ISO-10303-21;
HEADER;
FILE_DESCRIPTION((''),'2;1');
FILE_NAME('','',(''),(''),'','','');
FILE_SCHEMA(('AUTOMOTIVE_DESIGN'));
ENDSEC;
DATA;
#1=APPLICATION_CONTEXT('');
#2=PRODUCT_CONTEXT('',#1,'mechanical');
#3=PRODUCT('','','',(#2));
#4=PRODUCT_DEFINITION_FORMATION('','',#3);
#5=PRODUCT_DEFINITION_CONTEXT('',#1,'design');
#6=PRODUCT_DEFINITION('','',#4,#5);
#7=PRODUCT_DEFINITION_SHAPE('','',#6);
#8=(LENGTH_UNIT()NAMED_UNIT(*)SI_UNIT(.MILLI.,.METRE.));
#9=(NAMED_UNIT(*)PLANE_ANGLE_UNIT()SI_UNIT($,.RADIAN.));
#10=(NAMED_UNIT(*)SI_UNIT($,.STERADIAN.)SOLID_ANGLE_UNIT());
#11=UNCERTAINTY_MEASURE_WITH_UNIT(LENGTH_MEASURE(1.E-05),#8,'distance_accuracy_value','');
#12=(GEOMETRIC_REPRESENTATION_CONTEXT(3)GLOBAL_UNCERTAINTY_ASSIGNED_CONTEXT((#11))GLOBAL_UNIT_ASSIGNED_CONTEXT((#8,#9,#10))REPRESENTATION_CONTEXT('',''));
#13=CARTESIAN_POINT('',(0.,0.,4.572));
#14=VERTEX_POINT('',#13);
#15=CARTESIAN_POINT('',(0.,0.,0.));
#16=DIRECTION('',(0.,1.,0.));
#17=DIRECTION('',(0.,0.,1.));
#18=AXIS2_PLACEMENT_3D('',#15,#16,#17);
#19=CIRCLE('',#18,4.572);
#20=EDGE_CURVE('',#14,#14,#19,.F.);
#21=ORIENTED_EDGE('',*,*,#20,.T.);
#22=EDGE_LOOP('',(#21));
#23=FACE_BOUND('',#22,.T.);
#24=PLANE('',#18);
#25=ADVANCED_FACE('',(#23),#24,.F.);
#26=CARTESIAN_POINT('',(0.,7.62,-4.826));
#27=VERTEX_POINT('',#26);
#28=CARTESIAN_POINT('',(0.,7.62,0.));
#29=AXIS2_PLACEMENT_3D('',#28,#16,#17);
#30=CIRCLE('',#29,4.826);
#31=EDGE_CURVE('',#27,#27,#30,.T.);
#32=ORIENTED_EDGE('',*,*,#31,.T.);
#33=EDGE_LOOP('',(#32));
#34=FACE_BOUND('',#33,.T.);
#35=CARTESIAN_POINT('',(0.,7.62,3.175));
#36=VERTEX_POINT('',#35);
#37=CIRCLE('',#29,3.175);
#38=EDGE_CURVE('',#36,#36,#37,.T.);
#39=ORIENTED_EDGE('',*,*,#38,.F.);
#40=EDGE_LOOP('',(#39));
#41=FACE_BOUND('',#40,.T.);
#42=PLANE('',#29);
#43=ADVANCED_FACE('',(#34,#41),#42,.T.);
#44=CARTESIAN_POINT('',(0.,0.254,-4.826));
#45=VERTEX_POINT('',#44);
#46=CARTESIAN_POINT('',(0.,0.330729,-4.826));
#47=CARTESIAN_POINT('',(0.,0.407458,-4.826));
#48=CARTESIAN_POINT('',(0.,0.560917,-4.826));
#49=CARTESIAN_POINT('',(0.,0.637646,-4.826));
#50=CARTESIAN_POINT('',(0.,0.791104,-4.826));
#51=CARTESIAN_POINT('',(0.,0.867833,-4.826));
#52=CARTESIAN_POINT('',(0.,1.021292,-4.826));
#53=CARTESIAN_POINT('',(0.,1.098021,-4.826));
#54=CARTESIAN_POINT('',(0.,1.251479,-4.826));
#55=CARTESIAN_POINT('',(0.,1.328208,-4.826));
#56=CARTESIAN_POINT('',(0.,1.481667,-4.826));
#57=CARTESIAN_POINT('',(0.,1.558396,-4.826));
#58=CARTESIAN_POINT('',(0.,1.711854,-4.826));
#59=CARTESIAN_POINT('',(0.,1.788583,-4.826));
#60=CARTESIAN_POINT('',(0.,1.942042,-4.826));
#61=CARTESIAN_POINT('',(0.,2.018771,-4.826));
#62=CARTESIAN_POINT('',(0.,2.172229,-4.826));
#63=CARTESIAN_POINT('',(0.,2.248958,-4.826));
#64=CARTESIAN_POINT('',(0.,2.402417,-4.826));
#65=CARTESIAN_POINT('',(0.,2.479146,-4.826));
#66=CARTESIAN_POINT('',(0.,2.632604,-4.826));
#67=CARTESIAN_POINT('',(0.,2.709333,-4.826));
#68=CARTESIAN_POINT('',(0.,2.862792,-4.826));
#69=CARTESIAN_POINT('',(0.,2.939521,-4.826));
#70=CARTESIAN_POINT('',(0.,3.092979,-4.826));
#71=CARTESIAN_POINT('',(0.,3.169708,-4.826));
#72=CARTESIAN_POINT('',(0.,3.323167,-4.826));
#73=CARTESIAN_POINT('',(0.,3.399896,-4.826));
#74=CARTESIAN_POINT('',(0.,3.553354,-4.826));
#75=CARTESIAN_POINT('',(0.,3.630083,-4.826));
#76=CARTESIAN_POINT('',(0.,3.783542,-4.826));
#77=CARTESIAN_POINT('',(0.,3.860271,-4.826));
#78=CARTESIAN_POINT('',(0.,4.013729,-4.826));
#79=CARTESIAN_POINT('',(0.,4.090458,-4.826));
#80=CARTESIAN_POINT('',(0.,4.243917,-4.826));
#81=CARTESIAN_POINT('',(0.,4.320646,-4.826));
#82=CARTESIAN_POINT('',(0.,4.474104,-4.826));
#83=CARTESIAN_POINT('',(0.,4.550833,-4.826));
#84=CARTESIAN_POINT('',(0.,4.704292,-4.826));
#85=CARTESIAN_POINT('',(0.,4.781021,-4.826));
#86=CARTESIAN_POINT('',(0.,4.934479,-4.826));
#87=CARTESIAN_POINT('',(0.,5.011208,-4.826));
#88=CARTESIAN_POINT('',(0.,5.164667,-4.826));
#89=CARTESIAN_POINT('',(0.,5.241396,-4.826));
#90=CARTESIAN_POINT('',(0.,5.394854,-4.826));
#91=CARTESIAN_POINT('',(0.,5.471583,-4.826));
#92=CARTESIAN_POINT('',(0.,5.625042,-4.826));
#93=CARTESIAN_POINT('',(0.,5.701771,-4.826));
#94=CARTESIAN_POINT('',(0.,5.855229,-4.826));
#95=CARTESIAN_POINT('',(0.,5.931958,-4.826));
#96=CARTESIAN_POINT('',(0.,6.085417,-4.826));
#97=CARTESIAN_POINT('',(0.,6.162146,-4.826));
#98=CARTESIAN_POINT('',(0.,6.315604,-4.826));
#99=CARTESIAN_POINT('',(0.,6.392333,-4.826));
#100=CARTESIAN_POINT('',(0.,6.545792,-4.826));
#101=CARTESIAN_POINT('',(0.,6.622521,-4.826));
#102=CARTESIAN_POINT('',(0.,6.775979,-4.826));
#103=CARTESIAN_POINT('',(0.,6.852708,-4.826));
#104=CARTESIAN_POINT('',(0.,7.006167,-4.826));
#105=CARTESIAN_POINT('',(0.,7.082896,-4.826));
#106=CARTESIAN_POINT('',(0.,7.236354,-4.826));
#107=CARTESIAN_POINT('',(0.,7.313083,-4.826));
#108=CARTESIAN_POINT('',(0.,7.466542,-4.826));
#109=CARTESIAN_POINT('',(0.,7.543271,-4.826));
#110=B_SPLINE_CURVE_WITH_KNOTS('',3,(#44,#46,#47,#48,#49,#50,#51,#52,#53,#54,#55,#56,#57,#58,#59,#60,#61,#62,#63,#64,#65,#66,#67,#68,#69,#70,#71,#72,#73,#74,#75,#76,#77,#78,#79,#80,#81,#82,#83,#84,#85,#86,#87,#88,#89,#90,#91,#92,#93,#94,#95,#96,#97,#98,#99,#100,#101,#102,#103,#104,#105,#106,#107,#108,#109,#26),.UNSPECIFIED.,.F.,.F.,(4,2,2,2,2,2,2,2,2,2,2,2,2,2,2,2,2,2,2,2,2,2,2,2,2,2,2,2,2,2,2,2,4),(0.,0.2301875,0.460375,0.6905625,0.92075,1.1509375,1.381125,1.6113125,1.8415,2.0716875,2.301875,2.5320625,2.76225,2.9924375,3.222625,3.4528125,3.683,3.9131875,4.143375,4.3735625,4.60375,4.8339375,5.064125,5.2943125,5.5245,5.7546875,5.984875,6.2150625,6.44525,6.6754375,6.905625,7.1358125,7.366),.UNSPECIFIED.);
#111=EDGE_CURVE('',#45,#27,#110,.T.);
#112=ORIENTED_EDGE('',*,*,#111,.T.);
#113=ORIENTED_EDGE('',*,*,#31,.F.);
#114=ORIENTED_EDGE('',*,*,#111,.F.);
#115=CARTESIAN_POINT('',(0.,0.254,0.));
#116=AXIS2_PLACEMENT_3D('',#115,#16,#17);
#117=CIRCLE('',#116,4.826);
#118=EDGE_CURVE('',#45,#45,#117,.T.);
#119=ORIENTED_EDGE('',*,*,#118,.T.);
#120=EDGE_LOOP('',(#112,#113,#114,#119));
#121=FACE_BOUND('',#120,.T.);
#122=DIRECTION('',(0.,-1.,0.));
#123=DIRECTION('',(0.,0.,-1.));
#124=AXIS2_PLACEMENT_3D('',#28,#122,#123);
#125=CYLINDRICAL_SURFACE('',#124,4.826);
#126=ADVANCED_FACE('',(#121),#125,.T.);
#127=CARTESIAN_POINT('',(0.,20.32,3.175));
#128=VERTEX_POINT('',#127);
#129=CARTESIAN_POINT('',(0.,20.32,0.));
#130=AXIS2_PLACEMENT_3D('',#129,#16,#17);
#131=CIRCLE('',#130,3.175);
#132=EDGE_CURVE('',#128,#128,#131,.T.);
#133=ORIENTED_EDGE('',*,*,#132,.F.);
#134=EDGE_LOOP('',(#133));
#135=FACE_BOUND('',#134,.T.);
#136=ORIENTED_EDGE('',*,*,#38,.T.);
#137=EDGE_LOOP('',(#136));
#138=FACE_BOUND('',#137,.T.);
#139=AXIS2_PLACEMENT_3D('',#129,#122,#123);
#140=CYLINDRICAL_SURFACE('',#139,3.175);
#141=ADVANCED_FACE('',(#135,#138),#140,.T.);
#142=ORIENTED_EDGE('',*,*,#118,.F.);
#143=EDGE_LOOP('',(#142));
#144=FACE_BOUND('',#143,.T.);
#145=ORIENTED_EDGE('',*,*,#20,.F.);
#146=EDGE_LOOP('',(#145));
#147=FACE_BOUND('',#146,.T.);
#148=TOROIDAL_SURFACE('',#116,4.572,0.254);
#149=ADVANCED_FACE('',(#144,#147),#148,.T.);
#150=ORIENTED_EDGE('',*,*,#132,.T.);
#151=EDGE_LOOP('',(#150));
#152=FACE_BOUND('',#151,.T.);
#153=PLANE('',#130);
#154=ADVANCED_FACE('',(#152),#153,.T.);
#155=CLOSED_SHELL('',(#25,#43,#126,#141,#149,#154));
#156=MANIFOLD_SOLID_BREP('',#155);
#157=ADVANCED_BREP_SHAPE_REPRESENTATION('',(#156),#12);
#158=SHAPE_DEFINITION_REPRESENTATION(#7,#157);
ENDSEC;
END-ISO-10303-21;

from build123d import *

# Parameters (mm, degrees)
SKETCH1_R           = 4.826
BOSS_EXTRUDE1_DEPTH = 7.62
SKETCH2_R           = 3.175
BOSS_EXTRUDE2_DEPTH = 12.7
FILLET1_R           = 0.254


with BuildPart() as part:
    # Sketch1 → Boss-Extrude1 (new body)
    with BuildSketch(Plane(origin=(0, 0, 0), x_dir=(1, 0, 0), z_dir=(0, 1, 0))):
        with Locations(Location((0, 0, 0), (0, 0, 90))):
            Circle(SKETCH1_R)
    extrude(amount=BOSS_EXTRUDE1_DEPTH)

    # Sketch2 → Boss-Extrude2 (add)
    with BuildSketch(Plane(origin=(0, 7.62, 0), x_dir=(1, 0, 0), z_dir=(0, 1, 0))):
        with Locations(Location((0, 0, 0), (0, 0, 270))):
            Circle(SKETCH2_R)
    extrude(amount=BOSS_EXTRUDE2_DEPTH)

    # Fillet1
    fillet1_edges = [part.edges().sort_by_distance(p)[0] for p in [
        (0, 0, 4.826),
    ]]
    fillet(fillet1_edges, radius=FILLET1_R)


solid = part.part
